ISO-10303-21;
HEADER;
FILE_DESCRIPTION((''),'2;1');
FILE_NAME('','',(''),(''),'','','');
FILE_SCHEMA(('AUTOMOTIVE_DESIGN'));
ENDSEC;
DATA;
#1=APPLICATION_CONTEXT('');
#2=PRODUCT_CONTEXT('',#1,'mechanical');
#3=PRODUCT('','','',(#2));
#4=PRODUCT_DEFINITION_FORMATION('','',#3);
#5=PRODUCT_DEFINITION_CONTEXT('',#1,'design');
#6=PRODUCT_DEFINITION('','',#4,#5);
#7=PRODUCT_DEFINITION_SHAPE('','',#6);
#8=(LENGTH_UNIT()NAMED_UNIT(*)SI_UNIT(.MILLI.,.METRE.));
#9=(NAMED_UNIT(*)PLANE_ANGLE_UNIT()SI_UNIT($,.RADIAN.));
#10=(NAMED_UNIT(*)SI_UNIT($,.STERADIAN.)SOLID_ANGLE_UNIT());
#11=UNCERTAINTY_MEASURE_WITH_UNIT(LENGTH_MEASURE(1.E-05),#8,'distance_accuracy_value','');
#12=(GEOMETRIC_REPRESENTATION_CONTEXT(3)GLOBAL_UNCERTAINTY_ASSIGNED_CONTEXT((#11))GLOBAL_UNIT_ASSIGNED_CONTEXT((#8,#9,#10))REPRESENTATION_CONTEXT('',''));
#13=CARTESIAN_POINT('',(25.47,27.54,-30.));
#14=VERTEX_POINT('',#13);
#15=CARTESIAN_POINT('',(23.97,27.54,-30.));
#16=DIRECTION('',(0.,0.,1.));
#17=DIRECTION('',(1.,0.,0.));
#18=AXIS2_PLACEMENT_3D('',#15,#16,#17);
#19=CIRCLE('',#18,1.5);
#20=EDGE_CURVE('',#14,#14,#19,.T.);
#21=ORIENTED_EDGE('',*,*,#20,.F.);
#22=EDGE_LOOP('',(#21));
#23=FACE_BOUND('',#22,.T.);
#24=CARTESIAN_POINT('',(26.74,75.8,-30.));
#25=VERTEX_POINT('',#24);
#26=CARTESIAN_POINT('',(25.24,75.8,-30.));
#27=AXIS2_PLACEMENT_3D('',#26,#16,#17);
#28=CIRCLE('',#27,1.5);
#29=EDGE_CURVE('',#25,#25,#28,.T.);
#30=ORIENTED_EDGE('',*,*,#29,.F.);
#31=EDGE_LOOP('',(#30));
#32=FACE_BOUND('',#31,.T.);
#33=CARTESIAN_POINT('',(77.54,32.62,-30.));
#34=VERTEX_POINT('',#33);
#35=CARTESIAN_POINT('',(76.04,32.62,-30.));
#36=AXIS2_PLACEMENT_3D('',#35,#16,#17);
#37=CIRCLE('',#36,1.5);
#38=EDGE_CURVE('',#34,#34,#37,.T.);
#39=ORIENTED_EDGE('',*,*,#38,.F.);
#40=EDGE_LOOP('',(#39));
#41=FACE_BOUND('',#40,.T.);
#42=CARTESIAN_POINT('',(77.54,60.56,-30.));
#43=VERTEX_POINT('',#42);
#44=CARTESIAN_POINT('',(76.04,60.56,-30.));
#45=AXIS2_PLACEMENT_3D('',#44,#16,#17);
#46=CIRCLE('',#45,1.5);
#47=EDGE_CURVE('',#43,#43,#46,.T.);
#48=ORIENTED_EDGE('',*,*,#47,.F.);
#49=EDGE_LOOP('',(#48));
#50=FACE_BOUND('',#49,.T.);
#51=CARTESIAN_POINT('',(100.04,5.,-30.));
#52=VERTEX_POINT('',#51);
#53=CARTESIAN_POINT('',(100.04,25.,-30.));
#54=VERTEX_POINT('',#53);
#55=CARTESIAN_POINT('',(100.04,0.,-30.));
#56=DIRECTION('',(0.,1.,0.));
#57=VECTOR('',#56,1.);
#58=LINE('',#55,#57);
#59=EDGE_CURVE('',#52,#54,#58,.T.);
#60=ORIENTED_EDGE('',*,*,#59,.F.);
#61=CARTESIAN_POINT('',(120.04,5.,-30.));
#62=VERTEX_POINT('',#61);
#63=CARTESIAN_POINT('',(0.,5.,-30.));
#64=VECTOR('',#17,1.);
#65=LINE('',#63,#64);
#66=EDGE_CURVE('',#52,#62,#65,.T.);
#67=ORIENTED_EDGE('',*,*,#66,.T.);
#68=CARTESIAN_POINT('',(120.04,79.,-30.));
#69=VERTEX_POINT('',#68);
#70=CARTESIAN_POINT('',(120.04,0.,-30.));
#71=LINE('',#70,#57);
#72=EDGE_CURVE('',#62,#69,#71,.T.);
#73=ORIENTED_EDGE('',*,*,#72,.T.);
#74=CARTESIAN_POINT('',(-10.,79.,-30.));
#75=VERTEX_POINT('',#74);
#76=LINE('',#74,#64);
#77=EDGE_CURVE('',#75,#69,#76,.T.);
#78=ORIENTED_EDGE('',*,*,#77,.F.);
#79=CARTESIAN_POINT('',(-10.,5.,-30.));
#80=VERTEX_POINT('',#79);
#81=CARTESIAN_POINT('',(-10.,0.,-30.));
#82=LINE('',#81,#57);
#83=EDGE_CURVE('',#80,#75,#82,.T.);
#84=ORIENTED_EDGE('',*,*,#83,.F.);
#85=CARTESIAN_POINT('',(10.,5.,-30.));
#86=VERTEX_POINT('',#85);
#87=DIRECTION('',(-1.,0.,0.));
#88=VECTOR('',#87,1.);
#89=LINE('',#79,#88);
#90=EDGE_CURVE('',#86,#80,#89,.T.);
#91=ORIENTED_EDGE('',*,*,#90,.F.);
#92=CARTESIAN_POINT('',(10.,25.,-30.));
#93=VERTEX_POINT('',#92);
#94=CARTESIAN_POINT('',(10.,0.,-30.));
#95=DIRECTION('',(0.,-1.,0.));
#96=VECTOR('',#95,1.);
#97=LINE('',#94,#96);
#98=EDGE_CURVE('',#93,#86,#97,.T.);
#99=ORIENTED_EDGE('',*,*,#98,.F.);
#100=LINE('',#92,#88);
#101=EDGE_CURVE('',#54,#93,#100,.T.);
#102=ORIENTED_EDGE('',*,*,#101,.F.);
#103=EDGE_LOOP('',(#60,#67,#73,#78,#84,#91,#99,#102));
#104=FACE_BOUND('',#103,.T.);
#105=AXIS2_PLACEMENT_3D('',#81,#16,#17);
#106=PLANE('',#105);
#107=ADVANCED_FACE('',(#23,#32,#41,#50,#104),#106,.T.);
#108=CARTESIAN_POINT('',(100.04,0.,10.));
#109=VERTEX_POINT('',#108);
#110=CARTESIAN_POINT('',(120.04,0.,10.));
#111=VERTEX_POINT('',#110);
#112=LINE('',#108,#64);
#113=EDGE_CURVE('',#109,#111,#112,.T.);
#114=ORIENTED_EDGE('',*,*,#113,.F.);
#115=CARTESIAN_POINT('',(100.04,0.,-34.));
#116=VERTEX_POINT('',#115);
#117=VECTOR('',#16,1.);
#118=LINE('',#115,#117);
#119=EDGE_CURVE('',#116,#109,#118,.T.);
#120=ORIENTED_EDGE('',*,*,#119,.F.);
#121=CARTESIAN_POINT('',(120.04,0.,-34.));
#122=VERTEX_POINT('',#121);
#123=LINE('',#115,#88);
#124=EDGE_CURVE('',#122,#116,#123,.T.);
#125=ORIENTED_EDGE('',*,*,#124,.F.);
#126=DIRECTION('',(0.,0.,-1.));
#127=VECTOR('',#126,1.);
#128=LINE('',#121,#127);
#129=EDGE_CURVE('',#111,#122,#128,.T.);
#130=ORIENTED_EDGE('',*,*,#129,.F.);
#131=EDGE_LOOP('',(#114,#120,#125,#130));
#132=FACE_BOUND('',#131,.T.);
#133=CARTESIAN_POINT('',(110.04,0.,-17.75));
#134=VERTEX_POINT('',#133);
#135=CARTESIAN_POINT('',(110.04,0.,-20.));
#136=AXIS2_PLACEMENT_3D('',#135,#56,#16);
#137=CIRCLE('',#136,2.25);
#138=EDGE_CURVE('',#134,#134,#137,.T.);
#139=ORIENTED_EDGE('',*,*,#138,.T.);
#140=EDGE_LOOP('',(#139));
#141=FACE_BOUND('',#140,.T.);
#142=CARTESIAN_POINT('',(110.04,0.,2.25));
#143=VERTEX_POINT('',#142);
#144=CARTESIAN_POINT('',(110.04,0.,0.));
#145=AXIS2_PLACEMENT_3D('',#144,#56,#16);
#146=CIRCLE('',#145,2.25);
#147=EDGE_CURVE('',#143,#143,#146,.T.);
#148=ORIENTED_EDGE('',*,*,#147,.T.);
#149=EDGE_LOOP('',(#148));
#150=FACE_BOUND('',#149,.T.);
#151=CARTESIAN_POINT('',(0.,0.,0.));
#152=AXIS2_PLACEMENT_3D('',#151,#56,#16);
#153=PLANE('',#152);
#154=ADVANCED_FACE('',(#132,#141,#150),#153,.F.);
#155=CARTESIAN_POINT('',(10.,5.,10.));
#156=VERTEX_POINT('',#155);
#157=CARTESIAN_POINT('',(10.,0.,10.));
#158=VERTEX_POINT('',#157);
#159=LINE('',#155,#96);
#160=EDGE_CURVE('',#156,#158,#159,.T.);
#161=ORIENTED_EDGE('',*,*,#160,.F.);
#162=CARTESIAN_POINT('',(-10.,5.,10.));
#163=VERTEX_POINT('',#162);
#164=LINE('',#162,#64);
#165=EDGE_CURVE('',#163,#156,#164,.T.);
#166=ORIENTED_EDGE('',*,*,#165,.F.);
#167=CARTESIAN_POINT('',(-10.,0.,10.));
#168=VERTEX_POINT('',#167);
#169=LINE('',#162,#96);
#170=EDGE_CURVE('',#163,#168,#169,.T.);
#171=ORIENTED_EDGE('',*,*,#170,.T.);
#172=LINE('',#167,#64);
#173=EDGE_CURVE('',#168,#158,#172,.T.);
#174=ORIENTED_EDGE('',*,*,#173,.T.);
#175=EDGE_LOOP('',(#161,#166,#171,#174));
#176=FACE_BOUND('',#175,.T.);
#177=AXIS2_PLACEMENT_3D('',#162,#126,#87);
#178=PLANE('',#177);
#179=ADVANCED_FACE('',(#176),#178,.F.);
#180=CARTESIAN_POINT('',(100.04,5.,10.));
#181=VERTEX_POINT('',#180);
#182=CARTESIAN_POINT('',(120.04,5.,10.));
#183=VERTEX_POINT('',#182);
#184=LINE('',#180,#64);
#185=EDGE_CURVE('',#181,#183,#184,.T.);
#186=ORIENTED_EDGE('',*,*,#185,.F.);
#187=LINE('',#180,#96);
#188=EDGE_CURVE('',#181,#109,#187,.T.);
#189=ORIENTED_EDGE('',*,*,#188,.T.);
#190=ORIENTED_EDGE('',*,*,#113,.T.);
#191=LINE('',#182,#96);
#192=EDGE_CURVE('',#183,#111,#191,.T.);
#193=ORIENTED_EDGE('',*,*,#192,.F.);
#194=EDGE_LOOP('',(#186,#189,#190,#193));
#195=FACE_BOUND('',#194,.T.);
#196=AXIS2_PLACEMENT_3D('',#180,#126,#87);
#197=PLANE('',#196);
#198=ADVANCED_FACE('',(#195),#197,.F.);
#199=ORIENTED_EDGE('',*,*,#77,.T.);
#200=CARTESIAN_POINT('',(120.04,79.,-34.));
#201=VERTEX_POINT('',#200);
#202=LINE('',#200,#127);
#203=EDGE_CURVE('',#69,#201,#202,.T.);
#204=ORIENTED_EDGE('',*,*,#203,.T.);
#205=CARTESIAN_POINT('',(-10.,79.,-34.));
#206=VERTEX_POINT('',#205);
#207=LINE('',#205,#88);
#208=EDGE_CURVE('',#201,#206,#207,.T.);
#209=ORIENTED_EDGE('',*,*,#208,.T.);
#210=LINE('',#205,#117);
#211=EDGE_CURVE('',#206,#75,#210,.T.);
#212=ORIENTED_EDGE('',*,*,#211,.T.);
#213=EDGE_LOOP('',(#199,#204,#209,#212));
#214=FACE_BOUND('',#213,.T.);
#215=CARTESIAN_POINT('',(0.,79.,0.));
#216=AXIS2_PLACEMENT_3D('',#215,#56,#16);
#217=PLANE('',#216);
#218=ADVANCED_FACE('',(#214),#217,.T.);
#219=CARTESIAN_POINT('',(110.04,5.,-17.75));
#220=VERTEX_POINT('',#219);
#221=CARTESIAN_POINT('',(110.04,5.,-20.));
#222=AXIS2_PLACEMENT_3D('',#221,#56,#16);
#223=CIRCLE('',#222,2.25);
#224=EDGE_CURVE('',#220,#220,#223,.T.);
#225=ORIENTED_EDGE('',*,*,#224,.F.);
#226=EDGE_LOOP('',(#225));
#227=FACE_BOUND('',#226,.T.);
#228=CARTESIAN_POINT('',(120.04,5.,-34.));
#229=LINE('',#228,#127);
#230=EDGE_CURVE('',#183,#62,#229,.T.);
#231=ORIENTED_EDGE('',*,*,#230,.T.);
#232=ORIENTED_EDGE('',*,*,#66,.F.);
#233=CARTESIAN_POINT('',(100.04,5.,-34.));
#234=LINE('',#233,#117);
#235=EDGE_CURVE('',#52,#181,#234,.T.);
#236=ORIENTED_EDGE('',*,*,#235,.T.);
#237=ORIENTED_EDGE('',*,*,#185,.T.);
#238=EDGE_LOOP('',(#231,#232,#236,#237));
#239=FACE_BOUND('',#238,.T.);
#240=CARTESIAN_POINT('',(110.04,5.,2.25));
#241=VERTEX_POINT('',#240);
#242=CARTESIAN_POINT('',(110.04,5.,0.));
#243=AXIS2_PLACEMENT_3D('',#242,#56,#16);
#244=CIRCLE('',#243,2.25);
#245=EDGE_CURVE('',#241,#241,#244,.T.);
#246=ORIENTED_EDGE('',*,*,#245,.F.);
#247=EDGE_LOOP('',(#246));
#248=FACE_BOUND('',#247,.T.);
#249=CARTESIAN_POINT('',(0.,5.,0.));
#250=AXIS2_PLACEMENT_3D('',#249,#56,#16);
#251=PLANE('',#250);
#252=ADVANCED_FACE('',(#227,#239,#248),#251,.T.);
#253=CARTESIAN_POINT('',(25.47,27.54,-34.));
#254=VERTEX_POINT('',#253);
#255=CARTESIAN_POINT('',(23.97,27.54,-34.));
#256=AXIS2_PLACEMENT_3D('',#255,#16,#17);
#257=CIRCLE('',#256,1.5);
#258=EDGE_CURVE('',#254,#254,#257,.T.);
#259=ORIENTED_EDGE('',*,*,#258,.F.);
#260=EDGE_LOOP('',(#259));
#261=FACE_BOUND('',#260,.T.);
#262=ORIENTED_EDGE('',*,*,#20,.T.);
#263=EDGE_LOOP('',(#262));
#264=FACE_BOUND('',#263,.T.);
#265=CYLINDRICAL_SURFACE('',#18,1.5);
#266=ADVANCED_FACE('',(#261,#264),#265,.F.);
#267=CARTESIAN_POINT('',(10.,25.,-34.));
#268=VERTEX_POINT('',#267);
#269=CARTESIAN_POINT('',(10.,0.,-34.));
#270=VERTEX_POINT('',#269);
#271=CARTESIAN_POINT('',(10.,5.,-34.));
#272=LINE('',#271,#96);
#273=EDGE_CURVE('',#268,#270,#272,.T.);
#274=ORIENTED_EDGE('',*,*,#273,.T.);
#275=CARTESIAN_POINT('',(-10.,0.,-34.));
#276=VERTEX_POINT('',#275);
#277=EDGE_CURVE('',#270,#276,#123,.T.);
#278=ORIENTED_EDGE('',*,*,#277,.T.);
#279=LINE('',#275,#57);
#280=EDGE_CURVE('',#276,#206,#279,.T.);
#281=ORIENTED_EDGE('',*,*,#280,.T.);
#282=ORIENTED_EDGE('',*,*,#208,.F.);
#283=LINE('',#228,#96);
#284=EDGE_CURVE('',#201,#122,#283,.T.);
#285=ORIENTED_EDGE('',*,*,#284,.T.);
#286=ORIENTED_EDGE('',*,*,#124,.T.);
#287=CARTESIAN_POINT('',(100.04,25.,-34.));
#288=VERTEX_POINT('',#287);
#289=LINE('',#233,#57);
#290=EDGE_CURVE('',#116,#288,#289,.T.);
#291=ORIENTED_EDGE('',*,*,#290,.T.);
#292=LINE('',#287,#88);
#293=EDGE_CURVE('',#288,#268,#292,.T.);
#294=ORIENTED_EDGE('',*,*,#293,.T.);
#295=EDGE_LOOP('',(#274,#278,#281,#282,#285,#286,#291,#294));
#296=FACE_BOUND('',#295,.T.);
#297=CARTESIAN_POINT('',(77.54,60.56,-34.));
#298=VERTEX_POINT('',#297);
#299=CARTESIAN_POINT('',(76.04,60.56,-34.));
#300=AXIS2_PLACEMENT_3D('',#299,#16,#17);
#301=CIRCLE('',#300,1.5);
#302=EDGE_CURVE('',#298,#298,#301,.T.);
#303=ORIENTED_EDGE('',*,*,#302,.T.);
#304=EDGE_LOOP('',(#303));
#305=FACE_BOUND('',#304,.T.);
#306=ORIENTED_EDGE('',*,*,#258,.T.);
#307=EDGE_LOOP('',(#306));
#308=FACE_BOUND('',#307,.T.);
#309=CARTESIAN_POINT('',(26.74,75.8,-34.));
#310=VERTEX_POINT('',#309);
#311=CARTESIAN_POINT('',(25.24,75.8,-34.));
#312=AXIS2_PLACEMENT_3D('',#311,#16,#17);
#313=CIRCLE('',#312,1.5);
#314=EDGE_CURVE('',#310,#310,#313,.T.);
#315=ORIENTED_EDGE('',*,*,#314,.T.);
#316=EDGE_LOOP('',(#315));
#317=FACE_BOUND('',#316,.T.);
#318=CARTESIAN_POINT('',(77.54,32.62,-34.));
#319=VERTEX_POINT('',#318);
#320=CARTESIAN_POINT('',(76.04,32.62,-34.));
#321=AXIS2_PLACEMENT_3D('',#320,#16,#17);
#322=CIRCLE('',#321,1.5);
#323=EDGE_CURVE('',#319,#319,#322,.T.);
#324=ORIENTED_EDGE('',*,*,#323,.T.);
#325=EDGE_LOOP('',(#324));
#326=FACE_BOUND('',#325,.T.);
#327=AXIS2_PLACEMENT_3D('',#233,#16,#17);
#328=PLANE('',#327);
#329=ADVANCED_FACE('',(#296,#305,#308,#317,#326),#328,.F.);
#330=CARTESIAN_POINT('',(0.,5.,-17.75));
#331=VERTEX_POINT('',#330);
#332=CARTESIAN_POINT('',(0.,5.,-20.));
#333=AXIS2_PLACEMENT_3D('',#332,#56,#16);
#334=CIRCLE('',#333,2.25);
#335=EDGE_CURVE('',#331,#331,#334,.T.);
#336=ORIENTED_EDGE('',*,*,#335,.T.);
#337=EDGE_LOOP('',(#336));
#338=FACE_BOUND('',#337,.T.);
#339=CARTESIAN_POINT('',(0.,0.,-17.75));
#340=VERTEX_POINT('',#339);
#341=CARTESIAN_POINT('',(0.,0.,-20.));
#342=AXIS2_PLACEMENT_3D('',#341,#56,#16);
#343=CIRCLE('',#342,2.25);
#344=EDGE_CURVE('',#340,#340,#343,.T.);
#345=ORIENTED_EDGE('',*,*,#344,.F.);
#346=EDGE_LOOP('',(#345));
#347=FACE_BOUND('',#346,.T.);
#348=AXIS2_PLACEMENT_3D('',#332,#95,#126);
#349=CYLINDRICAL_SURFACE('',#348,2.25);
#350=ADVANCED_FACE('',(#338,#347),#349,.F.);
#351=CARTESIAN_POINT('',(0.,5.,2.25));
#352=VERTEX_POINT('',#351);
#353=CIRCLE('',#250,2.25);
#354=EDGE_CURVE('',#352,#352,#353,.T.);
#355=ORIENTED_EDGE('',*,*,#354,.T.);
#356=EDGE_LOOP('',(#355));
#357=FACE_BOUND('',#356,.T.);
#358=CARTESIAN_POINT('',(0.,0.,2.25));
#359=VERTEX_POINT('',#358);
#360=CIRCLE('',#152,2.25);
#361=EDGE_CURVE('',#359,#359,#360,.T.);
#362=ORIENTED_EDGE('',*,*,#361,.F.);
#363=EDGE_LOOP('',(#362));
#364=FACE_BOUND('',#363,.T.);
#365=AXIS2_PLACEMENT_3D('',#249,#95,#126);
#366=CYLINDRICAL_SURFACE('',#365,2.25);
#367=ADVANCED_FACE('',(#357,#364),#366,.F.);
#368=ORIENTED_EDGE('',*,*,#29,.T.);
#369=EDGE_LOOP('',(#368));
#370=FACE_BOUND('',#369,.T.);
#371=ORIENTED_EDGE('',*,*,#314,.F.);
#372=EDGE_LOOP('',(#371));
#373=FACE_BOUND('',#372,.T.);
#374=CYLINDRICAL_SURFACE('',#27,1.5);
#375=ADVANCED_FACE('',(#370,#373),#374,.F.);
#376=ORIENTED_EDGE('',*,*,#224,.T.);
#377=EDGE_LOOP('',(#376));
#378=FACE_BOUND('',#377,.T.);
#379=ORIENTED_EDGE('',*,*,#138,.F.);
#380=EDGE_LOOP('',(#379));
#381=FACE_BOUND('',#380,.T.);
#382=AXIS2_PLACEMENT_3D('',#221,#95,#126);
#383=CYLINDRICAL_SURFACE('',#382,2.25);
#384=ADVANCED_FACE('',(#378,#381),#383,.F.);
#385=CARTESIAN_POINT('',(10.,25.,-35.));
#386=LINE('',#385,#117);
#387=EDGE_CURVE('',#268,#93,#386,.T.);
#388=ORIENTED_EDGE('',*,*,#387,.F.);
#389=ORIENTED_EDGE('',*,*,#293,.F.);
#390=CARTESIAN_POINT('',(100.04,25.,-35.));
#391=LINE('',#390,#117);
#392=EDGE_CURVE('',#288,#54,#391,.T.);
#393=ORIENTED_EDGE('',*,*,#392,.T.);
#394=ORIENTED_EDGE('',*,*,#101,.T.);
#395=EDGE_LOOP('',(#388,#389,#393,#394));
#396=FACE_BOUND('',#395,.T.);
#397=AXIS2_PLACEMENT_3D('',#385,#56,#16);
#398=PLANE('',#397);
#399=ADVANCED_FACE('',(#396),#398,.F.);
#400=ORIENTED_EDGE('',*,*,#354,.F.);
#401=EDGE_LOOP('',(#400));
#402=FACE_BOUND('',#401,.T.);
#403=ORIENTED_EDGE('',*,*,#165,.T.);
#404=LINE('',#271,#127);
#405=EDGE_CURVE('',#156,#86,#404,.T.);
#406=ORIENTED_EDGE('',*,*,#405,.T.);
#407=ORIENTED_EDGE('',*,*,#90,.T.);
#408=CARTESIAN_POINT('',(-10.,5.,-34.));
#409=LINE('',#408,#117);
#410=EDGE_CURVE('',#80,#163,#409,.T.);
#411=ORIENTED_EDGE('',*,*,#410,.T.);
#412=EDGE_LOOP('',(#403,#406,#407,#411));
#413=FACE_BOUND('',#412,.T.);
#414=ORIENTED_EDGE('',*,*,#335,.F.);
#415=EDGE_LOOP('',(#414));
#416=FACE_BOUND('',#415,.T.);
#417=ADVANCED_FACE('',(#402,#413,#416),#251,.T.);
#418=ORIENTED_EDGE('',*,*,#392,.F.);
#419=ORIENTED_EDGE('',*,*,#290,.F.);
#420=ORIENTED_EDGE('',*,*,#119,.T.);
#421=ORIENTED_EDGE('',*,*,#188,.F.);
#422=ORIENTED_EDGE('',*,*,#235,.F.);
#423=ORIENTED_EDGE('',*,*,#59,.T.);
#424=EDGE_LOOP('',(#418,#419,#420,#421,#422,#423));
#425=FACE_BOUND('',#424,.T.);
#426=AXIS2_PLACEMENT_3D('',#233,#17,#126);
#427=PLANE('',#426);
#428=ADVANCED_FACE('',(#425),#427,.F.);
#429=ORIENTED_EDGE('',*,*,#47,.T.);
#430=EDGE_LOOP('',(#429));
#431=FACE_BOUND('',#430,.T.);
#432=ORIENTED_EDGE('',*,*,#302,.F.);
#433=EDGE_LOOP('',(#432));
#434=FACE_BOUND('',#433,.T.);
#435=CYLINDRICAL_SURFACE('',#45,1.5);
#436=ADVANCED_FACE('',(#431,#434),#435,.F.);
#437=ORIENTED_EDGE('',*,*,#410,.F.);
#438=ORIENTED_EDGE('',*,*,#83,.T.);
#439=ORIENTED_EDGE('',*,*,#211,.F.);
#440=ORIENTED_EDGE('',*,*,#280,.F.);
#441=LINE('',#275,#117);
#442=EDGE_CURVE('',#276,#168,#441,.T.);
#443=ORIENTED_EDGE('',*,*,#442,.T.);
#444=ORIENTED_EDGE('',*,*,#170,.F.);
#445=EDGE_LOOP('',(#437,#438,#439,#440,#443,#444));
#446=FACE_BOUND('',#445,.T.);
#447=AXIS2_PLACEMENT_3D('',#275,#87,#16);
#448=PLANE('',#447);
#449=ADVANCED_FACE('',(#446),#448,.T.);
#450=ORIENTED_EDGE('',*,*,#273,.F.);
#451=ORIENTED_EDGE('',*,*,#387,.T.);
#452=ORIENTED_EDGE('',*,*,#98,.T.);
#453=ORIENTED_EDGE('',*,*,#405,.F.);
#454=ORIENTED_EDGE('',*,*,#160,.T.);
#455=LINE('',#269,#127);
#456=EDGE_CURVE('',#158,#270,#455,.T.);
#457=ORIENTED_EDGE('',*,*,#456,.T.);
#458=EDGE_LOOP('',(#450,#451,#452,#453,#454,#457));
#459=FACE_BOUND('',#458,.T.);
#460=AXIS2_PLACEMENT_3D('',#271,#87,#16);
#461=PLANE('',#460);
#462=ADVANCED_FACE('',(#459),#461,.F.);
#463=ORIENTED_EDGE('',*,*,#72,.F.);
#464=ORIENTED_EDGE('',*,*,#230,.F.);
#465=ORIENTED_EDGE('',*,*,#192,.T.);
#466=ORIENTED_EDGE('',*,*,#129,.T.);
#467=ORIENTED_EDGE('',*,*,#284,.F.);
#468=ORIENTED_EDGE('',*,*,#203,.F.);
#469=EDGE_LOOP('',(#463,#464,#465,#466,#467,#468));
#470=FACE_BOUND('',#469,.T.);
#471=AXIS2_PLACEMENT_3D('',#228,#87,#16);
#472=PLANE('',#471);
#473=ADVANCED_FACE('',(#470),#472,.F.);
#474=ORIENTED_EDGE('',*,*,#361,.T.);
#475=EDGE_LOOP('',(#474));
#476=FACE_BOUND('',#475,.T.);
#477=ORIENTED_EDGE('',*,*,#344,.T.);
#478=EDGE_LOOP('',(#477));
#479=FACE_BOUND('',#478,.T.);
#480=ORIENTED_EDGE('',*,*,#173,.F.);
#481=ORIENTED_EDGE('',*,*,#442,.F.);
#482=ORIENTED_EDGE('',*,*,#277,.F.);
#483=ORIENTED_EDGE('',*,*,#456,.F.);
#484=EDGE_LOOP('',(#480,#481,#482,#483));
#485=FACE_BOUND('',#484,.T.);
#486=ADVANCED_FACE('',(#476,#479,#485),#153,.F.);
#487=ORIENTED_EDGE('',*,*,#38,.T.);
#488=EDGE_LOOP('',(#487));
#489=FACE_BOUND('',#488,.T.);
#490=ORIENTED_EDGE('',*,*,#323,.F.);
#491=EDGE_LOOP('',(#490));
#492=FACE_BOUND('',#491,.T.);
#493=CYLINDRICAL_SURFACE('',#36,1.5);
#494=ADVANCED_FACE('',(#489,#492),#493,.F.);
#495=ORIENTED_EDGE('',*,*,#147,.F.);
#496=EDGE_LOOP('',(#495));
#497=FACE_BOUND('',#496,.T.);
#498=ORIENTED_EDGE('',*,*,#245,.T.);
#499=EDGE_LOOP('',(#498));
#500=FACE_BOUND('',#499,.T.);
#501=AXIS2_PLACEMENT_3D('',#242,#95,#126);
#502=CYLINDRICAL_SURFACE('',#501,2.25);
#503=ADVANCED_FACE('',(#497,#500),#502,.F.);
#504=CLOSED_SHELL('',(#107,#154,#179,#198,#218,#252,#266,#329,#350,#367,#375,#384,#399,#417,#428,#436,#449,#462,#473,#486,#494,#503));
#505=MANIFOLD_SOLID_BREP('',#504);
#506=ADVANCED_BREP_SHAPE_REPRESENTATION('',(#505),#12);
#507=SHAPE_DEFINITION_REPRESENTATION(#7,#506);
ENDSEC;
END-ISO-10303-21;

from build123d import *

# Parameters (mm, degrees)
SKETCH1_W                 = 20
SKETCH1_H                 = 44
SKETCH1_R                 = 2.25
BOSS_EXTRUDE1_DEPTH       = 5
BOSS_EXTRUDE1_2_DEPTH     = 5
SKETCH2_W                 = 130.04
SKETCH2_H                 = 4
BOSS_EXTRUDE2_DEPTH       = 74
BOSS_EXTRUDE2_DEPTH_BACK  = 5
SKETCH3_W                 = 90.04
SKETCH3_H                 = 25
CUT_EXTRUDE1_DEPTH        = 5
F_3_0MM_DOWEL_HOLE1_D     = 3
F_3_0MM_DOWEL_HOLE1_DEPTH = 5
F_3_0MM_DOWEL_HOLE1_TIP   = 0.901290929


with BuildPart() as part:
    # Sketch1 → Boss-Extrude1 (new body)
    with BuildSketch(Plane(origin=(0, 0, 0), x_dir=(1, 0, 0), z_dir=(0, 1, 0))):
        with Locations((0, 12)):
            Rectangle(SKETCH1_W, SKETCH1_H)
        Circle(SKETCH1_R, mode=Mode.SUBTRACT)
        with Locations((0, 20)):
            Circle(SKETCH1_R, mode=Mode.SUBTRACT)
    extrude(amount=BOSS_EXTRUDE1_DEPTH)



with BuildPart() as body_2:
    # Sketch1 → Boss-Extrude1 2 (new body)
    with BuildSketch(Plane(origin=(0, 0, 0), x_dir=(1, 0, 0), z_dir=(0, 1, 0))):
        with Locations((110.04, 12)):
            Rectangle(SKETCH1_W, SKETCH1_H)
        with Locations((110.04, 20)):
            Circle(SKETCH1_R, mode=Mode.SUBTRACT)
        with Locations((110.04, 0)):
            Circle(SKETCH1_R, mode=Mode.SUBTRACT)
    extrude(amount=BOSS_EXTRUDE1_2_DEPTH)


with BuildPart() as part_1:
    add(part.part)

    add(body_2.part)  # Boss-Extrude2 merges body 2
    # Sketch2 → Boss-Extrude2 (add, two sides)
    with BuildSketch(Plane(origin=(0, 5, 0), x_dir=(1, 0, 0), z_dir=(0, 1, 0))) as boss_extrude2_sk:
        with Locations((55.02, 32)):
            Rectangle(SKETCH2_W, SKETCH2_H)
    extrude(amount=BOSS_EXTRUDE2_DEPTH)
    extrude(boss_extrude2_sk.sketch, amount=-BOSS_EXTRUDE2_DEPTH_BACK)

    # Sketch3 → Cut-Extrude1 (cut)
    with BuildSketch(Plane.XY.offset(-30)):
        with Locations((55.02, 12.5)):
            Rectangle(SKETCH3_W, SKETCH3_H)
    extrude(amount=-CUT_EXTRUDE1_DEPTH, mode=Mode.SUBTRACT)

    # Ø3.0mm Dowel Hole1
    with Locations(Plane(origin=(55.834419791, -56, -30), x_dir=(1, 0, 0), z_dir=(0, 0, 1))):
        with Locations((-30.594419791, 131.8), (20.205580209, 116.56), (20.205580209, 88.62), (-31.864419791, 83.54)):
            Hole(F_3_0MM_DOWEL_HOLE1_D / 2, depth=F_3_0MM_DOWEL_HOLE1_DEPTH)
            with Locations((0, 0, -(F_3_0MM_DOWEL_HOLE1_DEPTH + F_3_0MM_DOWEL_HOLE1_TIP / 2))):  # 118° drill point
                Cone(0, F_3_0MM_DOWEL_HOLE1_D / 2, F_3_0MM_DOWEL_HOLE1_TIP, mode=Mode.SUBTRACT)


solid = part_1.part
